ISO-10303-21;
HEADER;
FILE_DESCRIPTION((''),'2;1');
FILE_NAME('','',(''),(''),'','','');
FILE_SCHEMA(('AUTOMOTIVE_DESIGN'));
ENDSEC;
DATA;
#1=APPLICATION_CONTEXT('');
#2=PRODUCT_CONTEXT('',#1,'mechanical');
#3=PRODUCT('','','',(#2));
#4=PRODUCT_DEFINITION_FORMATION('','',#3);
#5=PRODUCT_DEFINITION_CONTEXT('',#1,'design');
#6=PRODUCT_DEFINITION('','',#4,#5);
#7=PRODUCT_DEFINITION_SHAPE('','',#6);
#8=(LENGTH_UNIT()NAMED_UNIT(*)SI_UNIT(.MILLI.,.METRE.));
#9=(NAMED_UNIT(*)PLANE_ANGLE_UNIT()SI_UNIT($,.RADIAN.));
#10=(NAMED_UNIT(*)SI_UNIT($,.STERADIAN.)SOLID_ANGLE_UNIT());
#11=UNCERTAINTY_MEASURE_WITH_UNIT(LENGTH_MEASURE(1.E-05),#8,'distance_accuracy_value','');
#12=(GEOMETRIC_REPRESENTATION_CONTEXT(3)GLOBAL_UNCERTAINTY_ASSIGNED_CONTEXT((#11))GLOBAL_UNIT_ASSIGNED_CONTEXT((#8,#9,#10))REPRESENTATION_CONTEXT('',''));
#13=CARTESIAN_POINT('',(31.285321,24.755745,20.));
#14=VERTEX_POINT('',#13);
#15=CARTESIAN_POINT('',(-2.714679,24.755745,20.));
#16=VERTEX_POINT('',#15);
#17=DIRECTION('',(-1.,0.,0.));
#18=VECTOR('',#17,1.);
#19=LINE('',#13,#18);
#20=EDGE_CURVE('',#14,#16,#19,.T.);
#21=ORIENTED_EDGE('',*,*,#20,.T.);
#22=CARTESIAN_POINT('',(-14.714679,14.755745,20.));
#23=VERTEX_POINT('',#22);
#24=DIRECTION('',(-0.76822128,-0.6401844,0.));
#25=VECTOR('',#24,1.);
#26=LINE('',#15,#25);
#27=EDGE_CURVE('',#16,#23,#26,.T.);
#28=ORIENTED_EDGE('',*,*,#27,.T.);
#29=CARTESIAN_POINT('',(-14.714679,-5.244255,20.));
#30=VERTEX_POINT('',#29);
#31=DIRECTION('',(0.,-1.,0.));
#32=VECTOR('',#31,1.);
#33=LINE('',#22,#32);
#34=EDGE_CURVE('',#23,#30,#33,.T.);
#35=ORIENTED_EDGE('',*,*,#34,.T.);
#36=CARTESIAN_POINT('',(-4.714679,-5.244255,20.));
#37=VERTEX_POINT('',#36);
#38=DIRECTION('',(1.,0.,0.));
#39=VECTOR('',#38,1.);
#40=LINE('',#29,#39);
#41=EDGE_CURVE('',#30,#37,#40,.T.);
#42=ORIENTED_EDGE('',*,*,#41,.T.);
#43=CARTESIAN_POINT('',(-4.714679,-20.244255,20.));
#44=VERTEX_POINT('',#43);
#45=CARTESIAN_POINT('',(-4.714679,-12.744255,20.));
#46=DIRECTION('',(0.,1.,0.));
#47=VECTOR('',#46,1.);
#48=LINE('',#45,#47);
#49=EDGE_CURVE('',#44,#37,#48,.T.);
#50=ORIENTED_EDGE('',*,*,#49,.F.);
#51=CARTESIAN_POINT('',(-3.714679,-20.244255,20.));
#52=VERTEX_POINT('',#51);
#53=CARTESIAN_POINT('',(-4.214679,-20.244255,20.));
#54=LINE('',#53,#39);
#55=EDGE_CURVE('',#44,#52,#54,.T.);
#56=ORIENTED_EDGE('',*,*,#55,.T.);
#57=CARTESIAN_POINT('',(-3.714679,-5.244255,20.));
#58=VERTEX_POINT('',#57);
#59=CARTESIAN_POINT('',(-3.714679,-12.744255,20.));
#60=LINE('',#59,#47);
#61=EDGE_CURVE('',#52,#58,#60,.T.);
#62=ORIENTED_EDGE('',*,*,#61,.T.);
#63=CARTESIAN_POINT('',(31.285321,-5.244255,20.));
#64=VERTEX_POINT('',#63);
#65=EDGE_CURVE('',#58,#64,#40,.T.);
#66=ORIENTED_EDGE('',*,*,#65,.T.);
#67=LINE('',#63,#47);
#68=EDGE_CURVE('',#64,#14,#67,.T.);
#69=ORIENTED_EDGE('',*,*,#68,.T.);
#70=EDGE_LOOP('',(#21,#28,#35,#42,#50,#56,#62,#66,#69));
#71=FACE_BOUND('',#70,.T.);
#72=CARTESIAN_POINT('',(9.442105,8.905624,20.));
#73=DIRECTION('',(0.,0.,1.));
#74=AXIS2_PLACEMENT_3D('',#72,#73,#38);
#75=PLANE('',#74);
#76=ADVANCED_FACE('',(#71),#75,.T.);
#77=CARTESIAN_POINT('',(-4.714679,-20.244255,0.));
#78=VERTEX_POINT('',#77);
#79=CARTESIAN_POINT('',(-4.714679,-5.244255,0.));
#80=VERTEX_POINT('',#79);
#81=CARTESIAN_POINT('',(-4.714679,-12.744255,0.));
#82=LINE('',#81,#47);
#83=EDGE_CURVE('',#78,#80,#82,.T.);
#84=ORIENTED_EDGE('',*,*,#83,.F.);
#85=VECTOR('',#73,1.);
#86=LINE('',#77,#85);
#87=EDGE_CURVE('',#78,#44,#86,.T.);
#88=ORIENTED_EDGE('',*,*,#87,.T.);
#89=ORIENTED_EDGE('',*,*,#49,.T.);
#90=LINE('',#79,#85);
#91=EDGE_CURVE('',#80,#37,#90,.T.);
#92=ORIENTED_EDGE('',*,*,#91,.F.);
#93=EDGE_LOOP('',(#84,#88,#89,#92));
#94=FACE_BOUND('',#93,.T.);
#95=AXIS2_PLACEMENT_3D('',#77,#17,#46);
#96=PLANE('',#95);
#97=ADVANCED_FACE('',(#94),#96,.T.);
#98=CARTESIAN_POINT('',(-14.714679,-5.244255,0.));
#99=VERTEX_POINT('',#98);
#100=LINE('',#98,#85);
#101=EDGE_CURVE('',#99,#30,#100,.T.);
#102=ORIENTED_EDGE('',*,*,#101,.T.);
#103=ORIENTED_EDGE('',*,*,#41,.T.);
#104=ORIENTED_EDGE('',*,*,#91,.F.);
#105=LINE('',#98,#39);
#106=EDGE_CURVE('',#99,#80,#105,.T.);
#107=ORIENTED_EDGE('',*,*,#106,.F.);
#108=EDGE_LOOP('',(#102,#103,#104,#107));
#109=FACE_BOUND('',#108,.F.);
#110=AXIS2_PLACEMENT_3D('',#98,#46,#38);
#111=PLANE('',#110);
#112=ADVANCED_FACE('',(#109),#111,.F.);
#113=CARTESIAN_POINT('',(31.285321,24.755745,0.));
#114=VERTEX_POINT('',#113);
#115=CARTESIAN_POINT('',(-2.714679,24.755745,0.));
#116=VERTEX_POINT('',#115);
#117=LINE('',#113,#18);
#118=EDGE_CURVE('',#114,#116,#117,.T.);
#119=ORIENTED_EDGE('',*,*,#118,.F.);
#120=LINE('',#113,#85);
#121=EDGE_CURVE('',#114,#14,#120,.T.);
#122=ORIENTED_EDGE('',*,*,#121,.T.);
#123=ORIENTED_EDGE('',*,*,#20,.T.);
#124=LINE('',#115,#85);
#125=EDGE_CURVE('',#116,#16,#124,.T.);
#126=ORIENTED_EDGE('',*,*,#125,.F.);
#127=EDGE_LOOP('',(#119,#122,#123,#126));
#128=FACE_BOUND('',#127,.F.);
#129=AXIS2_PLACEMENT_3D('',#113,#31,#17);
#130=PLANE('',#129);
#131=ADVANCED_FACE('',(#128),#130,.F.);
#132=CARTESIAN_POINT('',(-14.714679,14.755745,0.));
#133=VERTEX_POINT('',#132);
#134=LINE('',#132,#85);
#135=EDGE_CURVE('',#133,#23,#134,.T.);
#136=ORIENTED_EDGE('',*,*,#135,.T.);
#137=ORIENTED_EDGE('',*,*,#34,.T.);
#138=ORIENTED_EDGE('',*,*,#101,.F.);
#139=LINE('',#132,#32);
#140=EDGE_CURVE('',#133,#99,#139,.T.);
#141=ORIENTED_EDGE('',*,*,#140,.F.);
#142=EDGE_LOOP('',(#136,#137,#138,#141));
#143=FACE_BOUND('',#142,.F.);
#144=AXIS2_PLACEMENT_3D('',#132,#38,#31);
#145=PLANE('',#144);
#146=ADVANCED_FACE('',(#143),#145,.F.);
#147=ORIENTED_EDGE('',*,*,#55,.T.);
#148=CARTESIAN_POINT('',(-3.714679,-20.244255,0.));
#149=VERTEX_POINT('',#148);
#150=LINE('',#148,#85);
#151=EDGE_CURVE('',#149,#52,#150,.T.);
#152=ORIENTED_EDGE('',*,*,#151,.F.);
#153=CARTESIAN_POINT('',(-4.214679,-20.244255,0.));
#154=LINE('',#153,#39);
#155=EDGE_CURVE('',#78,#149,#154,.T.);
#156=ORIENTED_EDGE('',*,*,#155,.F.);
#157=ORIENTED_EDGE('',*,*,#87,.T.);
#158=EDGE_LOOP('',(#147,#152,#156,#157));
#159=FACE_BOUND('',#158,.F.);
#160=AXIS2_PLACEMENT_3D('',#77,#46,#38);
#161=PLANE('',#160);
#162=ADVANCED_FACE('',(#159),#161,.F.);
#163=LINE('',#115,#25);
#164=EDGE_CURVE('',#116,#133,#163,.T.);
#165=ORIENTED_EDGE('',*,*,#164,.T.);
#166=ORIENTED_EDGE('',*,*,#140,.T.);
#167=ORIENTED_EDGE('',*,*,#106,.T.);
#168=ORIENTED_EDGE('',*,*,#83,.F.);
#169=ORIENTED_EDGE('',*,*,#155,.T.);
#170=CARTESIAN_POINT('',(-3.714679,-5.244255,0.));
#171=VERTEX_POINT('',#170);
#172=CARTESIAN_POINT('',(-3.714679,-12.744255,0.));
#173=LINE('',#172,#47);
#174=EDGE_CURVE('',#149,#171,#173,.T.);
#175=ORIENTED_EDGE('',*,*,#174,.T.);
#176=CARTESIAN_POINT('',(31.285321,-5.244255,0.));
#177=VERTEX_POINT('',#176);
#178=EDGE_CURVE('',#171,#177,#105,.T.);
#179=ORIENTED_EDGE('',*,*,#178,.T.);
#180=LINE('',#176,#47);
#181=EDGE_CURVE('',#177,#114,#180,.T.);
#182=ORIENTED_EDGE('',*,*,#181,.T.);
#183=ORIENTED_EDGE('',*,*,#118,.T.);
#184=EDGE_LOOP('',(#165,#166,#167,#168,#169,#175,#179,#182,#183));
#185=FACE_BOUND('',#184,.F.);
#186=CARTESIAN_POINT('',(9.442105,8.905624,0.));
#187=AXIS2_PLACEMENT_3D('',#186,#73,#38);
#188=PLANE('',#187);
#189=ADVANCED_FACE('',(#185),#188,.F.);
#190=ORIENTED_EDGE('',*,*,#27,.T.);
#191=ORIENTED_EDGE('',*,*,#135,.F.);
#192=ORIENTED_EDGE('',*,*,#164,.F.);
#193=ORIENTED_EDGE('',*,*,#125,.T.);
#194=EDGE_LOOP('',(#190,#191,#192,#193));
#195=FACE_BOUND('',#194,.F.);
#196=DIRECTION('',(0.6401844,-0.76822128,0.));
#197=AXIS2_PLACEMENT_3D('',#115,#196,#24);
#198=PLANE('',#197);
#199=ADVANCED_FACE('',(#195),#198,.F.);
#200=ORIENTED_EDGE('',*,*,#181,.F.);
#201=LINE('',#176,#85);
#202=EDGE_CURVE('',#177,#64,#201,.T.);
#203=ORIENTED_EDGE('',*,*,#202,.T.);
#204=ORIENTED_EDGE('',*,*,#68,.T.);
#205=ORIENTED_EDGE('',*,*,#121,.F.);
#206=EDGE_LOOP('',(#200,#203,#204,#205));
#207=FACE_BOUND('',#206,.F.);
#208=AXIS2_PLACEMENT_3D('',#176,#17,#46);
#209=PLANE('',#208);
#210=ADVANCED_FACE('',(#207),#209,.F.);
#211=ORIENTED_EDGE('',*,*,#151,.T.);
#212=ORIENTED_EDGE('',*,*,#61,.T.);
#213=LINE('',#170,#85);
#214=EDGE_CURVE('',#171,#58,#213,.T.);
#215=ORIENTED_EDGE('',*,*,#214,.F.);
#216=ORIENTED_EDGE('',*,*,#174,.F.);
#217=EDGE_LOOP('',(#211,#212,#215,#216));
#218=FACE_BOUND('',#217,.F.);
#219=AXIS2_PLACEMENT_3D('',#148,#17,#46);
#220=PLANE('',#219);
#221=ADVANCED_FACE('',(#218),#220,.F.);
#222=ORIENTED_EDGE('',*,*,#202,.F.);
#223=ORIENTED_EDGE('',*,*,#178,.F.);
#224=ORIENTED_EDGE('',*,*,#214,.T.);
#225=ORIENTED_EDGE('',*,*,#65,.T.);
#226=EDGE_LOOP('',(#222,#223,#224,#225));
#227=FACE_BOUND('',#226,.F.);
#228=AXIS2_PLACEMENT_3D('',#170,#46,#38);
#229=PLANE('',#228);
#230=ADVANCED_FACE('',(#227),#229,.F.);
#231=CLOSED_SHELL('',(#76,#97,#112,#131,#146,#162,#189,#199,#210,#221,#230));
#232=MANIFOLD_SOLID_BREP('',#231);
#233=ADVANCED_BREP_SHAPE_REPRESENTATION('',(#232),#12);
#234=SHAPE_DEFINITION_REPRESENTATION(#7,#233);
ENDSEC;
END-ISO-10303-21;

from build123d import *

# Parameters (mm, degrees)
F0_W     = 1
F0_H     = 15
F1_DEPTH = 20


with BuildPart() as f1:
    # F0 (on Top) → F1 (new body)
    with BuildSketch(Plane.XY):
        Polygon((31.285321, 24.755745), (-2.714679, 24.755745), (-14.714679, 14.755745), (-14.714679, -5.244255), (-4.714679, -5.244255), (-3.714679, -5.244255), (31.285321, -5.244255), align=None)
        with Locations((-4.214679, -12.744255)):
            Rectangle(F0_W, F0_H)
    extrude(amount=F1_DEPTH)


solid = f1.part
